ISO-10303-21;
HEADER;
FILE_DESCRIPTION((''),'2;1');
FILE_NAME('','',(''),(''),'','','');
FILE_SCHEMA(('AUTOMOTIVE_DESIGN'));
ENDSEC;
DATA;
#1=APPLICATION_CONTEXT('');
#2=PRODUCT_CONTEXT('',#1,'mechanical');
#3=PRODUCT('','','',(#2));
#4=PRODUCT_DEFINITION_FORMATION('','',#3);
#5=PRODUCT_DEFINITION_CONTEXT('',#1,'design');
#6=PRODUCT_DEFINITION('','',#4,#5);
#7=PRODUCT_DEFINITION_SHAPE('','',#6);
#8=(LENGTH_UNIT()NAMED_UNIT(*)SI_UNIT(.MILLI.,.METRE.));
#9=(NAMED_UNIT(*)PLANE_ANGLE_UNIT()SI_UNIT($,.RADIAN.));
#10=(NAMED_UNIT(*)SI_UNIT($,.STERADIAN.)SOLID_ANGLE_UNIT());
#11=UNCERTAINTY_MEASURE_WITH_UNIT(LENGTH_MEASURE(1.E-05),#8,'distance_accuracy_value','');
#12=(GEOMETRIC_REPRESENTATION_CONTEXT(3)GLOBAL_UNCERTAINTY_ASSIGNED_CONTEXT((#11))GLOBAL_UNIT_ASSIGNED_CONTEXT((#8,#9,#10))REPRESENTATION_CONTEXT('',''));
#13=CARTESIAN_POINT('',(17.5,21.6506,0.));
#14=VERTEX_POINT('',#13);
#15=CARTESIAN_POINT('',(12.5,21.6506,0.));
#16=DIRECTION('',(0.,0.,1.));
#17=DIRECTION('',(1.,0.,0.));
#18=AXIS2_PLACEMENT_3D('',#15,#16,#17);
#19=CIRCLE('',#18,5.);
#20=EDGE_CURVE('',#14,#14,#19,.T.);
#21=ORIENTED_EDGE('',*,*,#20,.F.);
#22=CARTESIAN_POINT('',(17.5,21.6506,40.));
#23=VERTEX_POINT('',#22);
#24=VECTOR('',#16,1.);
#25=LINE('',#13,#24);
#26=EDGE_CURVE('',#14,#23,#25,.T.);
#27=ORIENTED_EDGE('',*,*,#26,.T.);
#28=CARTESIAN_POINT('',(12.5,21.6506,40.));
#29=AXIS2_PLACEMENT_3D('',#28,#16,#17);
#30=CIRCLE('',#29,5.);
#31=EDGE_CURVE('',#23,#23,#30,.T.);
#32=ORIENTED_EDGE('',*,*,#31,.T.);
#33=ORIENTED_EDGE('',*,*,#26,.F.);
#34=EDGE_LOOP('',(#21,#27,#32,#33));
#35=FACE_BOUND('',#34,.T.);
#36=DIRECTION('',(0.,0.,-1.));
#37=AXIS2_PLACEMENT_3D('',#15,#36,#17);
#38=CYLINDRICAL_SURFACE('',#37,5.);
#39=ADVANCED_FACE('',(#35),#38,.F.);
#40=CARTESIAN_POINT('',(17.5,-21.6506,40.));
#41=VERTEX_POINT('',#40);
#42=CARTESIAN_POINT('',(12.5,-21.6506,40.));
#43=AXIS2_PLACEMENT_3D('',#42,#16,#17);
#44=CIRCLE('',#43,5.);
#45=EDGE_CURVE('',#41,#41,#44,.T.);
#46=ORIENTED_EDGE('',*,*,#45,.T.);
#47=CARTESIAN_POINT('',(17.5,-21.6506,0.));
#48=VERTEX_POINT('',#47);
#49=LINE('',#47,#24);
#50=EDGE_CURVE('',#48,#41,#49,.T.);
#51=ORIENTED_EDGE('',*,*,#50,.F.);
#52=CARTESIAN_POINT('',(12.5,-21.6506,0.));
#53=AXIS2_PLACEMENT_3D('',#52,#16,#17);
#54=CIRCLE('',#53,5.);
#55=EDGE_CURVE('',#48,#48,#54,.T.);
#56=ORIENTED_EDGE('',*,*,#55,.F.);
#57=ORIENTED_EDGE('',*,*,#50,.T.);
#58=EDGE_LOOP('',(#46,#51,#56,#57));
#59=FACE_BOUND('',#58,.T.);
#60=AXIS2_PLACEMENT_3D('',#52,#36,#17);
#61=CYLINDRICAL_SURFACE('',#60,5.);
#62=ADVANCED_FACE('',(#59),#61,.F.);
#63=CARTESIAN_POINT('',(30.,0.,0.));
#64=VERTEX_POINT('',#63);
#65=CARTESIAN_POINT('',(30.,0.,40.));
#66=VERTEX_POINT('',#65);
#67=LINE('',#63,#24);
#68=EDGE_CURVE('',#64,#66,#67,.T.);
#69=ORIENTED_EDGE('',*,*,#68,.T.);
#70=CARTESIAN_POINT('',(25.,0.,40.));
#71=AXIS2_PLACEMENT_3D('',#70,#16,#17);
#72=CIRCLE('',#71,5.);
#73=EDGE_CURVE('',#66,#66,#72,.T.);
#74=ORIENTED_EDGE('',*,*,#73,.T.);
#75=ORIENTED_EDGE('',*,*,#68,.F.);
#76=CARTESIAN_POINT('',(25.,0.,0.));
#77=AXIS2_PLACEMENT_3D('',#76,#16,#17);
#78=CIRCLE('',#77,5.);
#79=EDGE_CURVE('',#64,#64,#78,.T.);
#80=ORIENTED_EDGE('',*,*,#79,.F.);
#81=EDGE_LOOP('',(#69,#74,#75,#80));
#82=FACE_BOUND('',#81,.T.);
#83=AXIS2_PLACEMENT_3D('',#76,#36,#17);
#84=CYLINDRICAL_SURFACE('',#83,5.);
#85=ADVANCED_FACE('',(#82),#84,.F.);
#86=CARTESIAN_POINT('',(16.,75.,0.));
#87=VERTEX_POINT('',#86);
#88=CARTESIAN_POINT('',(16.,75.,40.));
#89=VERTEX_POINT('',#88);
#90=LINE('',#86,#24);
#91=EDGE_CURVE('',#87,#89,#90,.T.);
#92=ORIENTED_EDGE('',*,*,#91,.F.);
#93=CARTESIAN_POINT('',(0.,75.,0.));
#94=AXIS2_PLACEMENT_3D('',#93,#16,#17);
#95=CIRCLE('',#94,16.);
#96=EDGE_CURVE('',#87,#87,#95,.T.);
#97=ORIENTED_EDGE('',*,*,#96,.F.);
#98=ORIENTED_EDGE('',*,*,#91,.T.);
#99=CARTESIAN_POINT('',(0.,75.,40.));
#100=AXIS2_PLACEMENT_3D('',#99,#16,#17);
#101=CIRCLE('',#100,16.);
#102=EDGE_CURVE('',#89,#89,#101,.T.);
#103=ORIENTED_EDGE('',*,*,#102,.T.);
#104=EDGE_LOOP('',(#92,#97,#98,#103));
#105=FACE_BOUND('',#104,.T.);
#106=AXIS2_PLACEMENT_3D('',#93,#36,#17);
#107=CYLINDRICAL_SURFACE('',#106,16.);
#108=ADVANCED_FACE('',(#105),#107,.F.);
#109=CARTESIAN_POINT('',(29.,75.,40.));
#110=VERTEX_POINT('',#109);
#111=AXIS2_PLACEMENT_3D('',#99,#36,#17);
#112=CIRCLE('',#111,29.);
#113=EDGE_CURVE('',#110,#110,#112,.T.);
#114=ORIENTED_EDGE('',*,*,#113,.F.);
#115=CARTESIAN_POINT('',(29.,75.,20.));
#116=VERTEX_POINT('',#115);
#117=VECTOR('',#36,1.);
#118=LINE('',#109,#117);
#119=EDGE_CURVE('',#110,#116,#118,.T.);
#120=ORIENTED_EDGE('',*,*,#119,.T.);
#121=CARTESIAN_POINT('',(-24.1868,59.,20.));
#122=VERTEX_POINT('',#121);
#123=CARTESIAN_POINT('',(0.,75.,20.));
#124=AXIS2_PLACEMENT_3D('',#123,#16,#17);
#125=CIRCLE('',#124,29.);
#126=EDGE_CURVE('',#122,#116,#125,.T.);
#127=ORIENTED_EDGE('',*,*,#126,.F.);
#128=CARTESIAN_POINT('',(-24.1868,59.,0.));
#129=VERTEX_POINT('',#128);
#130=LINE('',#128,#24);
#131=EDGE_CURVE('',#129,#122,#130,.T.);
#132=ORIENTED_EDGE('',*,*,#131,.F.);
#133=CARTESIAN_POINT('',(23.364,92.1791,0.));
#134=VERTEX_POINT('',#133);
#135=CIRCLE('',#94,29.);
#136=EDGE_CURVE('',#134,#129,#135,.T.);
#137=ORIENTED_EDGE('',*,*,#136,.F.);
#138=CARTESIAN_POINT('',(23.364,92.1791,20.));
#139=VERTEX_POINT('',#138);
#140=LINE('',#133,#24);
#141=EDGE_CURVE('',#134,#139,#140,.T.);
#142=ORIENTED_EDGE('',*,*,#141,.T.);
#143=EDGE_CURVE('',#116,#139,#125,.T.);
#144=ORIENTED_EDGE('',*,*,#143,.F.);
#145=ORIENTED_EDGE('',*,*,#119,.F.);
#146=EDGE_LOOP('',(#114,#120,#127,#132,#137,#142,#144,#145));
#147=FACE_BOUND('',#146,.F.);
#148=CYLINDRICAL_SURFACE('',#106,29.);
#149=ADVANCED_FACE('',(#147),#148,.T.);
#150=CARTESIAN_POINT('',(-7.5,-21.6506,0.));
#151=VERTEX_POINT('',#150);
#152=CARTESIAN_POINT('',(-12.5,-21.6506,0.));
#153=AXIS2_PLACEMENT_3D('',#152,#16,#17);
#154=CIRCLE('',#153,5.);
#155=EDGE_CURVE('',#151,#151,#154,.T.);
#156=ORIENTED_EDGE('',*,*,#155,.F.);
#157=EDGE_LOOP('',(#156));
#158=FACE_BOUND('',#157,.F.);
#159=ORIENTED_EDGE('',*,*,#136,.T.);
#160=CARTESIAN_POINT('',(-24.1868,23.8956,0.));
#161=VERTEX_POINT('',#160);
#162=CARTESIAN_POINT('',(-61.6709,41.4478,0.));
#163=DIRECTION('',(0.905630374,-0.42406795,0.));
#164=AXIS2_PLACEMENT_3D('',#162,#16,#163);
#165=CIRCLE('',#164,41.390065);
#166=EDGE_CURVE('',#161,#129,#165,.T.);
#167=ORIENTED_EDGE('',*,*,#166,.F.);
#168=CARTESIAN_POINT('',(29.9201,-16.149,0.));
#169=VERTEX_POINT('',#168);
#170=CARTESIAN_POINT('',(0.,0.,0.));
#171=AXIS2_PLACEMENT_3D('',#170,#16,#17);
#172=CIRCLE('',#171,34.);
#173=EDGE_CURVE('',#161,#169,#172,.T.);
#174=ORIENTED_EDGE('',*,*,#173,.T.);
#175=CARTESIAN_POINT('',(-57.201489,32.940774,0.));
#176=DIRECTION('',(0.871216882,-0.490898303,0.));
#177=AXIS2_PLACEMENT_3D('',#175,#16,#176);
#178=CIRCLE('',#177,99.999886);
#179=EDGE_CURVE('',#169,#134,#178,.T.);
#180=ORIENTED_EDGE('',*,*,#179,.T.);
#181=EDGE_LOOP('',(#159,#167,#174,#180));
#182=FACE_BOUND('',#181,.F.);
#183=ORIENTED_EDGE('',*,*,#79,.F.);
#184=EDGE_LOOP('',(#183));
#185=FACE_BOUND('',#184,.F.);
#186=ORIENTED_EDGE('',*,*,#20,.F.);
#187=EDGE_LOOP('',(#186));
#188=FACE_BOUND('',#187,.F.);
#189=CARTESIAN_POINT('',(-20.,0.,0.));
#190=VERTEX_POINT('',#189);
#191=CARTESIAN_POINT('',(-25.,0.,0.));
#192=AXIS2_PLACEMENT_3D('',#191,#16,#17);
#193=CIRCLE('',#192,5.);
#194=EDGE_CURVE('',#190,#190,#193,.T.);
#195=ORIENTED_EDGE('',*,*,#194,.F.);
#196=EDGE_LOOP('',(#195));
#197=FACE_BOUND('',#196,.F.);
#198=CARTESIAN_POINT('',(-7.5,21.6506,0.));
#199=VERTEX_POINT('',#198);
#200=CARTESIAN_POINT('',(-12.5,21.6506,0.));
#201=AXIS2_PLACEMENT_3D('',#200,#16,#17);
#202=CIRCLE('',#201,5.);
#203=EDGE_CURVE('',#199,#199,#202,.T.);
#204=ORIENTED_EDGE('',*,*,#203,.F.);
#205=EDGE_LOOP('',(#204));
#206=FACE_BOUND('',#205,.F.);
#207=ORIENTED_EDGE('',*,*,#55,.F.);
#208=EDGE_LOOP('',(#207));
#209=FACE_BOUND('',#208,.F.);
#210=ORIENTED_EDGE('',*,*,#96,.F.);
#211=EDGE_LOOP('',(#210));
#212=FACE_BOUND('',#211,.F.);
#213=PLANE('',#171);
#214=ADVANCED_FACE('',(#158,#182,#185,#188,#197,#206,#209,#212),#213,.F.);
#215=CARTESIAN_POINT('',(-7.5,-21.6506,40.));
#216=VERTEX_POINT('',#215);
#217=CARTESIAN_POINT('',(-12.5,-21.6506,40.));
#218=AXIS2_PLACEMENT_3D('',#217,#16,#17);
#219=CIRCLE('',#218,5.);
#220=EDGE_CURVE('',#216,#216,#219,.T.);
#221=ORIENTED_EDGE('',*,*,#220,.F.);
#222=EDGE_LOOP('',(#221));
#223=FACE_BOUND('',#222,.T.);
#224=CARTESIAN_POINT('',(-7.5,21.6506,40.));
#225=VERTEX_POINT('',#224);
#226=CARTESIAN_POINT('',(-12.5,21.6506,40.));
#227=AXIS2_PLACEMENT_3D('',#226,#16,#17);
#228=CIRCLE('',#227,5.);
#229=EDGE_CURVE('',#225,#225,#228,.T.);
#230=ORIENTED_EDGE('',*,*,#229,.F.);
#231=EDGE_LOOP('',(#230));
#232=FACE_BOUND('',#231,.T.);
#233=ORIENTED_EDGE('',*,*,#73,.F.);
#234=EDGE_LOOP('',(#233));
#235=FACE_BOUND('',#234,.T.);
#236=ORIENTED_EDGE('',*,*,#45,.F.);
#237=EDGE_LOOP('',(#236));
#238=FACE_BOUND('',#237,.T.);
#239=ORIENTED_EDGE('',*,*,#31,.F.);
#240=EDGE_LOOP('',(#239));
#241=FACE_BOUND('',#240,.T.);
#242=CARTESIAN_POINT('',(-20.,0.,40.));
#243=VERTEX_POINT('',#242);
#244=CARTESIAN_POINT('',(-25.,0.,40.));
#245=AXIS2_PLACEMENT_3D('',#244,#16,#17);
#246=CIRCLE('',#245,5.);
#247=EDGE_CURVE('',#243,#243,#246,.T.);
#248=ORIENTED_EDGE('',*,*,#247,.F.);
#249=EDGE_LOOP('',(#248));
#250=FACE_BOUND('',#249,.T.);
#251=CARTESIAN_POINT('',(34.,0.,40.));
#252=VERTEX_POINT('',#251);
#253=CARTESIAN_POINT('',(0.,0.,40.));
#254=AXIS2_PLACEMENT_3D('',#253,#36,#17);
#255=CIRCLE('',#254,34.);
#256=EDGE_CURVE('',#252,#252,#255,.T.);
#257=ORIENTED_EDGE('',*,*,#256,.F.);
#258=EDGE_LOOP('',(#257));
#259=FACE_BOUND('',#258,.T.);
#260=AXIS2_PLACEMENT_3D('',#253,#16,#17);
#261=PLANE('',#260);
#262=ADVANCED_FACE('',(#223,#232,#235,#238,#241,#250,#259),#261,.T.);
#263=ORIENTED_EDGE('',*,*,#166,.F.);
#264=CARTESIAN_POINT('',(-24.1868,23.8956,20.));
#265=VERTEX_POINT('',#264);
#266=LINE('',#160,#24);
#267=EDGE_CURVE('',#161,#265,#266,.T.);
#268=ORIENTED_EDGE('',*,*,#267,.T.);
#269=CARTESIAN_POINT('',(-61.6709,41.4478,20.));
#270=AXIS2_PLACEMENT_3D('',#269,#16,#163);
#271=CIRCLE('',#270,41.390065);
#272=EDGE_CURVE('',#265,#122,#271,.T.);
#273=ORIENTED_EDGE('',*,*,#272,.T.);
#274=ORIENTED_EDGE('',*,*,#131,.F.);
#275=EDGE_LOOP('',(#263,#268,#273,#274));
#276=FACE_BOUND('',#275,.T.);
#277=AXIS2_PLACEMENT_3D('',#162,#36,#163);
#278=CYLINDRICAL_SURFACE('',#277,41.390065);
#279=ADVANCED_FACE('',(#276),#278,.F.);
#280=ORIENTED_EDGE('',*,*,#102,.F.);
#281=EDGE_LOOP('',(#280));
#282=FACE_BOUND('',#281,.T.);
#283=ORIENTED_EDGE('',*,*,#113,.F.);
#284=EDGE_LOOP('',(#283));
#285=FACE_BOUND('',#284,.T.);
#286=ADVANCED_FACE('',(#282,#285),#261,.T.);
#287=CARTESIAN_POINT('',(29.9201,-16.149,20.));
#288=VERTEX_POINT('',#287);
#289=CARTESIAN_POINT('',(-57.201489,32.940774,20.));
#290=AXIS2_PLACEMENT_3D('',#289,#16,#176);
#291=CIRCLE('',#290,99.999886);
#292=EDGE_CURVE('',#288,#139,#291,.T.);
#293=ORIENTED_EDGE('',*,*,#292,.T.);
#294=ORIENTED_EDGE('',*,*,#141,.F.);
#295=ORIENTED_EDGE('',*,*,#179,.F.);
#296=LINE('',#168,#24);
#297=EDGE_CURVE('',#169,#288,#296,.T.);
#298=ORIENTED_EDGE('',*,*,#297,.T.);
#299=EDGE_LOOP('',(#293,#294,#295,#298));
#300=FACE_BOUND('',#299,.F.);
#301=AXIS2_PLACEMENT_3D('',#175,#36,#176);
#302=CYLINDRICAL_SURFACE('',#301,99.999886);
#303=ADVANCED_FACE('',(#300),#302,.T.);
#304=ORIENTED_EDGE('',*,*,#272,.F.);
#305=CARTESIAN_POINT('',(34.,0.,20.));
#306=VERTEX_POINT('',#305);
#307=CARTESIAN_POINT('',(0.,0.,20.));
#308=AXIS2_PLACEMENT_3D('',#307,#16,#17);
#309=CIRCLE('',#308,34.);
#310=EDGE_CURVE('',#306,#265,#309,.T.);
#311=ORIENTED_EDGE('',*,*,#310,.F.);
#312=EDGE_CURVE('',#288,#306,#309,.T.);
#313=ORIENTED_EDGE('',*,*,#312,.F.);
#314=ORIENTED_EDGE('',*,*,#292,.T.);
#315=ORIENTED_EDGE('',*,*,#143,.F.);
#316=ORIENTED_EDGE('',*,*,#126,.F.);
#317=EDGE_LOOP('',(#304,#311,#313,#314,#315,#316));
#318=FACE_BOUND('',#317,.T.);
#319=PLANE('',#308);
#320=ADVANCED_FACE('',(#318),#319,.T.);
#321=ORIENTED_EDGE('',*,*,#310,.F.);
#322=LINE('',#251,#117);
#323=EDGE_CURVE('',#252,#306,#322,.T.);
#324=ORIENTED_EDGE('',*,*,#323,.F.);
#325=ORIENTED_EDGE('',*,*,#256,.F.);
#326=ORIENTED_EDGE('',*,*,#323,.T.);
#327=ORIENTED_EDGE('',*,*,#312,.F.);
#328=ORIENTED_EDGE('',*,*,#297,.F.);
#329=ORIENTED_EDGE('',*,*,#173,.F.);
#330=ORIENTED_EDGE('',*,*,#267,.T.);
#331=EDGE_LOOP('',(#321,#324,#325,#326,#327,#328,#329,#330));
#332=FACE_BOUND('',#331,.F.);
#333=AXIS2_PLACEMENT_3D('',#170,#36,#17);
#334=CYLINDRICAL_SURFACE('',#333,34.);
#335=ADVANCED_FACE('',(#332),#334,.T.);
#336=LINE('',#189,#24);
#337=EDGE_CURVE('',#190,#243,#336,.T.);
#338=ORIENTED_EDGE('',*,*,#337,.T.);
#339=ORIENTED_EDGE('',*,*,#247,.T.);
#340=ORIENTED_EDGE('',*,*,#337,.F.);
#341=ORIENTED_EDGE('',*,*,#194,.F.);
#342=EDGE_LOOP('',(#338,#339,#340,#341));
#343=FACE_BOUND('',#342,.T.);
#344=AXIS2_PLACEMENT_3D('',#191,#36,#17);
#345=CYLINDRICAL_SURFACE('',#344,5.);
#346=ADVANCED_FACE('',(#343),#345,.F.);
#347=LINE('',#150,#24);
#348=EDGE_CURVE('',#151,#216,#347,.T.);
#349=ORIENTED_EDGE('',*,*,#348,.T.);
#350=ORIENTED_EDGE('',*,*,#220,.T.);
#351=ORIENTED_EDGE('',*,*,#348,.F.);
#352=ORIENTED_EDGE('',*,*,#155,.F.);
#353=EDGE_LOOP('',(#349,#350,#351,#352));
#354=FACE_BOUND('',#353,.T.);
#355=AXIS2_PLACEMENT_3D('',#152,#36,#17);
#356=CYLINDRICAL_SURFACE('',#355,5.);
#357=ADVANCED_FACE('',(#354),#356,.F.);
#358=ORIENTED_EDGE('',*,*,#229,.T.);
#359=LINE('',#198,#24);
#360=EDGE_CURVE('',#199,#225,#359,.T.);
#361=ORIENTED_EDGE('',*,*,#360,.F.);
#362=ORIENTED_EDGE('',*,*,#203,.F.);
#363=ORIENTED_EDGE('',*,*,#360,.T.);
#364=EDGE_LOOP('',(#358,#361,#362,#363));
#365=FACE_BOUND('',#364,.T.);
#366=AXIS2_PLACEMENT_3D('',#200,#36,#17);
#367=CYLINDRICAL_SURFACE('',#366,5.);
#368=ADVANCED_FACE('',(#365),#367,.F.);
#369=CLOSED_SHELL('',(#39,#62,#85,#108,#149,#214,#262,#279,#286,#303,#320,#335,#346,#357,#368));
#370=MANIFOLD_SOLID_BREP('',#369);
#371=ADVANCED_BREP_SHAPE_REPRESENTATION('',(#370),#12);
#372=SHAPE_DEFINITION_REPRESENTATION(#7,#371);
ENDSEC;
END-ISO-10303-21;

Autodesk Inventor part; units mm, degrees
ref_plane "YZ Plane" through (0, 0, 0) normal (1, 0, 0) x (0, 1, 0)
ref_plane "XZ Plane" through (0, 0, 0) normal (0, 1, 0) x (-1, 0, 0)
ref_plane "XY Plane" through (0, 0, 0) normal (0, 0, 1) x (1, 0, 0)
sketch "Эскиз1" plane through (0, 0, 0) normal (0, 0, 1) x (1, 0, 0)
  circle A0 centre (0, 0) radius 34
  circle A1 centre (0, 75) radius 29
  circle A2 centre (0, 75) radius 16
  arc A3 (29.9201, -16.149) -> (23.364, 92.1791) centre (-57.2016, 32.9408) ccw
  arc A4 (-24.1868, 23.8956) -> (-24.1868, 59) centre (-61.6709, 41.4478) ccw
  circle A5 centre (-25, 0) radius 5
  circle A6 centre (25, 0) radius 5
  circle A7 centre (-12.5, 21.6506) radius 5
  circle A8 centre (12.5, 21.6506) radius 5
  circle A9 centre (-12.5, -21.6506) radius 5
  circle A10 centre (12.5, -21.6506) radius 5
  point P0 (-24.5501, 23.5222)
  dimension "d2" = 58
  dimension "d3" = 32
  dimension "d7" = 100
  dimension "d18" = 41.3901
  dimension "d29" = 10
  dimension "d30" = 10
  dimension "d31" = 10
  dimension "d32" = 10
  dimension "d33" = 10
  dimension "d34" = 10
  dimension "d35" = 68
  dimension "d36" = 25
  dimension "d37" = 95.094
  dimension "d38" = 25
  dimension "d39" = 25
  dimension "d40" = 75
  dimension "d41" = 25
  dimension "d42" = 25
  dimension "d43" = 63.7652
  dimension "d44" = 63.7652
  dimension "d45" = 25
  dimension "d46" = 74.3049
  dimension "d47" = 16.8819
  dimension "d48" = 41.6206
  dimension "d49" = 18.2682
  dimension "d50" = 56.8179
  dimension "d51" = 42.7753
  dimension "d52" = 67.3855
  dimension "d53" = 57.2451
extrude "Выдавливание3" add sketch "Эскиз1" along normal blind 40 contours A0 | A1
extrude "Выдавливание4" cut sketch "Эскиз1" along normal blind 20 contours A0 A4 A1 A3
extrude "Выдавливание5" add sketch "Эскиз1" along normal blind 20 contours A0 A4 A1 A3
equation "\"Радиус_гибки\" = Толщина"
equation "\"Ширина_просечки\" = Толщина"
equation "\"Глубина_просечки\" = 0.5 * Толщина"
equation "\"Размер_просечки\" = 4 * Толщина"
equation "\"Мин_остаток\" = 2 * Толщина"
equation "\"Радиус_перехода\" = Радиус_гибки"
equation "\"Радиус_Якоби\" = Толщина"
equation "\"Размер_зазора\" = Толщина"
equation "\"Толщина\" = 3.048"
properties part number "Кронштейн" material "Полиацеталь, черный"
